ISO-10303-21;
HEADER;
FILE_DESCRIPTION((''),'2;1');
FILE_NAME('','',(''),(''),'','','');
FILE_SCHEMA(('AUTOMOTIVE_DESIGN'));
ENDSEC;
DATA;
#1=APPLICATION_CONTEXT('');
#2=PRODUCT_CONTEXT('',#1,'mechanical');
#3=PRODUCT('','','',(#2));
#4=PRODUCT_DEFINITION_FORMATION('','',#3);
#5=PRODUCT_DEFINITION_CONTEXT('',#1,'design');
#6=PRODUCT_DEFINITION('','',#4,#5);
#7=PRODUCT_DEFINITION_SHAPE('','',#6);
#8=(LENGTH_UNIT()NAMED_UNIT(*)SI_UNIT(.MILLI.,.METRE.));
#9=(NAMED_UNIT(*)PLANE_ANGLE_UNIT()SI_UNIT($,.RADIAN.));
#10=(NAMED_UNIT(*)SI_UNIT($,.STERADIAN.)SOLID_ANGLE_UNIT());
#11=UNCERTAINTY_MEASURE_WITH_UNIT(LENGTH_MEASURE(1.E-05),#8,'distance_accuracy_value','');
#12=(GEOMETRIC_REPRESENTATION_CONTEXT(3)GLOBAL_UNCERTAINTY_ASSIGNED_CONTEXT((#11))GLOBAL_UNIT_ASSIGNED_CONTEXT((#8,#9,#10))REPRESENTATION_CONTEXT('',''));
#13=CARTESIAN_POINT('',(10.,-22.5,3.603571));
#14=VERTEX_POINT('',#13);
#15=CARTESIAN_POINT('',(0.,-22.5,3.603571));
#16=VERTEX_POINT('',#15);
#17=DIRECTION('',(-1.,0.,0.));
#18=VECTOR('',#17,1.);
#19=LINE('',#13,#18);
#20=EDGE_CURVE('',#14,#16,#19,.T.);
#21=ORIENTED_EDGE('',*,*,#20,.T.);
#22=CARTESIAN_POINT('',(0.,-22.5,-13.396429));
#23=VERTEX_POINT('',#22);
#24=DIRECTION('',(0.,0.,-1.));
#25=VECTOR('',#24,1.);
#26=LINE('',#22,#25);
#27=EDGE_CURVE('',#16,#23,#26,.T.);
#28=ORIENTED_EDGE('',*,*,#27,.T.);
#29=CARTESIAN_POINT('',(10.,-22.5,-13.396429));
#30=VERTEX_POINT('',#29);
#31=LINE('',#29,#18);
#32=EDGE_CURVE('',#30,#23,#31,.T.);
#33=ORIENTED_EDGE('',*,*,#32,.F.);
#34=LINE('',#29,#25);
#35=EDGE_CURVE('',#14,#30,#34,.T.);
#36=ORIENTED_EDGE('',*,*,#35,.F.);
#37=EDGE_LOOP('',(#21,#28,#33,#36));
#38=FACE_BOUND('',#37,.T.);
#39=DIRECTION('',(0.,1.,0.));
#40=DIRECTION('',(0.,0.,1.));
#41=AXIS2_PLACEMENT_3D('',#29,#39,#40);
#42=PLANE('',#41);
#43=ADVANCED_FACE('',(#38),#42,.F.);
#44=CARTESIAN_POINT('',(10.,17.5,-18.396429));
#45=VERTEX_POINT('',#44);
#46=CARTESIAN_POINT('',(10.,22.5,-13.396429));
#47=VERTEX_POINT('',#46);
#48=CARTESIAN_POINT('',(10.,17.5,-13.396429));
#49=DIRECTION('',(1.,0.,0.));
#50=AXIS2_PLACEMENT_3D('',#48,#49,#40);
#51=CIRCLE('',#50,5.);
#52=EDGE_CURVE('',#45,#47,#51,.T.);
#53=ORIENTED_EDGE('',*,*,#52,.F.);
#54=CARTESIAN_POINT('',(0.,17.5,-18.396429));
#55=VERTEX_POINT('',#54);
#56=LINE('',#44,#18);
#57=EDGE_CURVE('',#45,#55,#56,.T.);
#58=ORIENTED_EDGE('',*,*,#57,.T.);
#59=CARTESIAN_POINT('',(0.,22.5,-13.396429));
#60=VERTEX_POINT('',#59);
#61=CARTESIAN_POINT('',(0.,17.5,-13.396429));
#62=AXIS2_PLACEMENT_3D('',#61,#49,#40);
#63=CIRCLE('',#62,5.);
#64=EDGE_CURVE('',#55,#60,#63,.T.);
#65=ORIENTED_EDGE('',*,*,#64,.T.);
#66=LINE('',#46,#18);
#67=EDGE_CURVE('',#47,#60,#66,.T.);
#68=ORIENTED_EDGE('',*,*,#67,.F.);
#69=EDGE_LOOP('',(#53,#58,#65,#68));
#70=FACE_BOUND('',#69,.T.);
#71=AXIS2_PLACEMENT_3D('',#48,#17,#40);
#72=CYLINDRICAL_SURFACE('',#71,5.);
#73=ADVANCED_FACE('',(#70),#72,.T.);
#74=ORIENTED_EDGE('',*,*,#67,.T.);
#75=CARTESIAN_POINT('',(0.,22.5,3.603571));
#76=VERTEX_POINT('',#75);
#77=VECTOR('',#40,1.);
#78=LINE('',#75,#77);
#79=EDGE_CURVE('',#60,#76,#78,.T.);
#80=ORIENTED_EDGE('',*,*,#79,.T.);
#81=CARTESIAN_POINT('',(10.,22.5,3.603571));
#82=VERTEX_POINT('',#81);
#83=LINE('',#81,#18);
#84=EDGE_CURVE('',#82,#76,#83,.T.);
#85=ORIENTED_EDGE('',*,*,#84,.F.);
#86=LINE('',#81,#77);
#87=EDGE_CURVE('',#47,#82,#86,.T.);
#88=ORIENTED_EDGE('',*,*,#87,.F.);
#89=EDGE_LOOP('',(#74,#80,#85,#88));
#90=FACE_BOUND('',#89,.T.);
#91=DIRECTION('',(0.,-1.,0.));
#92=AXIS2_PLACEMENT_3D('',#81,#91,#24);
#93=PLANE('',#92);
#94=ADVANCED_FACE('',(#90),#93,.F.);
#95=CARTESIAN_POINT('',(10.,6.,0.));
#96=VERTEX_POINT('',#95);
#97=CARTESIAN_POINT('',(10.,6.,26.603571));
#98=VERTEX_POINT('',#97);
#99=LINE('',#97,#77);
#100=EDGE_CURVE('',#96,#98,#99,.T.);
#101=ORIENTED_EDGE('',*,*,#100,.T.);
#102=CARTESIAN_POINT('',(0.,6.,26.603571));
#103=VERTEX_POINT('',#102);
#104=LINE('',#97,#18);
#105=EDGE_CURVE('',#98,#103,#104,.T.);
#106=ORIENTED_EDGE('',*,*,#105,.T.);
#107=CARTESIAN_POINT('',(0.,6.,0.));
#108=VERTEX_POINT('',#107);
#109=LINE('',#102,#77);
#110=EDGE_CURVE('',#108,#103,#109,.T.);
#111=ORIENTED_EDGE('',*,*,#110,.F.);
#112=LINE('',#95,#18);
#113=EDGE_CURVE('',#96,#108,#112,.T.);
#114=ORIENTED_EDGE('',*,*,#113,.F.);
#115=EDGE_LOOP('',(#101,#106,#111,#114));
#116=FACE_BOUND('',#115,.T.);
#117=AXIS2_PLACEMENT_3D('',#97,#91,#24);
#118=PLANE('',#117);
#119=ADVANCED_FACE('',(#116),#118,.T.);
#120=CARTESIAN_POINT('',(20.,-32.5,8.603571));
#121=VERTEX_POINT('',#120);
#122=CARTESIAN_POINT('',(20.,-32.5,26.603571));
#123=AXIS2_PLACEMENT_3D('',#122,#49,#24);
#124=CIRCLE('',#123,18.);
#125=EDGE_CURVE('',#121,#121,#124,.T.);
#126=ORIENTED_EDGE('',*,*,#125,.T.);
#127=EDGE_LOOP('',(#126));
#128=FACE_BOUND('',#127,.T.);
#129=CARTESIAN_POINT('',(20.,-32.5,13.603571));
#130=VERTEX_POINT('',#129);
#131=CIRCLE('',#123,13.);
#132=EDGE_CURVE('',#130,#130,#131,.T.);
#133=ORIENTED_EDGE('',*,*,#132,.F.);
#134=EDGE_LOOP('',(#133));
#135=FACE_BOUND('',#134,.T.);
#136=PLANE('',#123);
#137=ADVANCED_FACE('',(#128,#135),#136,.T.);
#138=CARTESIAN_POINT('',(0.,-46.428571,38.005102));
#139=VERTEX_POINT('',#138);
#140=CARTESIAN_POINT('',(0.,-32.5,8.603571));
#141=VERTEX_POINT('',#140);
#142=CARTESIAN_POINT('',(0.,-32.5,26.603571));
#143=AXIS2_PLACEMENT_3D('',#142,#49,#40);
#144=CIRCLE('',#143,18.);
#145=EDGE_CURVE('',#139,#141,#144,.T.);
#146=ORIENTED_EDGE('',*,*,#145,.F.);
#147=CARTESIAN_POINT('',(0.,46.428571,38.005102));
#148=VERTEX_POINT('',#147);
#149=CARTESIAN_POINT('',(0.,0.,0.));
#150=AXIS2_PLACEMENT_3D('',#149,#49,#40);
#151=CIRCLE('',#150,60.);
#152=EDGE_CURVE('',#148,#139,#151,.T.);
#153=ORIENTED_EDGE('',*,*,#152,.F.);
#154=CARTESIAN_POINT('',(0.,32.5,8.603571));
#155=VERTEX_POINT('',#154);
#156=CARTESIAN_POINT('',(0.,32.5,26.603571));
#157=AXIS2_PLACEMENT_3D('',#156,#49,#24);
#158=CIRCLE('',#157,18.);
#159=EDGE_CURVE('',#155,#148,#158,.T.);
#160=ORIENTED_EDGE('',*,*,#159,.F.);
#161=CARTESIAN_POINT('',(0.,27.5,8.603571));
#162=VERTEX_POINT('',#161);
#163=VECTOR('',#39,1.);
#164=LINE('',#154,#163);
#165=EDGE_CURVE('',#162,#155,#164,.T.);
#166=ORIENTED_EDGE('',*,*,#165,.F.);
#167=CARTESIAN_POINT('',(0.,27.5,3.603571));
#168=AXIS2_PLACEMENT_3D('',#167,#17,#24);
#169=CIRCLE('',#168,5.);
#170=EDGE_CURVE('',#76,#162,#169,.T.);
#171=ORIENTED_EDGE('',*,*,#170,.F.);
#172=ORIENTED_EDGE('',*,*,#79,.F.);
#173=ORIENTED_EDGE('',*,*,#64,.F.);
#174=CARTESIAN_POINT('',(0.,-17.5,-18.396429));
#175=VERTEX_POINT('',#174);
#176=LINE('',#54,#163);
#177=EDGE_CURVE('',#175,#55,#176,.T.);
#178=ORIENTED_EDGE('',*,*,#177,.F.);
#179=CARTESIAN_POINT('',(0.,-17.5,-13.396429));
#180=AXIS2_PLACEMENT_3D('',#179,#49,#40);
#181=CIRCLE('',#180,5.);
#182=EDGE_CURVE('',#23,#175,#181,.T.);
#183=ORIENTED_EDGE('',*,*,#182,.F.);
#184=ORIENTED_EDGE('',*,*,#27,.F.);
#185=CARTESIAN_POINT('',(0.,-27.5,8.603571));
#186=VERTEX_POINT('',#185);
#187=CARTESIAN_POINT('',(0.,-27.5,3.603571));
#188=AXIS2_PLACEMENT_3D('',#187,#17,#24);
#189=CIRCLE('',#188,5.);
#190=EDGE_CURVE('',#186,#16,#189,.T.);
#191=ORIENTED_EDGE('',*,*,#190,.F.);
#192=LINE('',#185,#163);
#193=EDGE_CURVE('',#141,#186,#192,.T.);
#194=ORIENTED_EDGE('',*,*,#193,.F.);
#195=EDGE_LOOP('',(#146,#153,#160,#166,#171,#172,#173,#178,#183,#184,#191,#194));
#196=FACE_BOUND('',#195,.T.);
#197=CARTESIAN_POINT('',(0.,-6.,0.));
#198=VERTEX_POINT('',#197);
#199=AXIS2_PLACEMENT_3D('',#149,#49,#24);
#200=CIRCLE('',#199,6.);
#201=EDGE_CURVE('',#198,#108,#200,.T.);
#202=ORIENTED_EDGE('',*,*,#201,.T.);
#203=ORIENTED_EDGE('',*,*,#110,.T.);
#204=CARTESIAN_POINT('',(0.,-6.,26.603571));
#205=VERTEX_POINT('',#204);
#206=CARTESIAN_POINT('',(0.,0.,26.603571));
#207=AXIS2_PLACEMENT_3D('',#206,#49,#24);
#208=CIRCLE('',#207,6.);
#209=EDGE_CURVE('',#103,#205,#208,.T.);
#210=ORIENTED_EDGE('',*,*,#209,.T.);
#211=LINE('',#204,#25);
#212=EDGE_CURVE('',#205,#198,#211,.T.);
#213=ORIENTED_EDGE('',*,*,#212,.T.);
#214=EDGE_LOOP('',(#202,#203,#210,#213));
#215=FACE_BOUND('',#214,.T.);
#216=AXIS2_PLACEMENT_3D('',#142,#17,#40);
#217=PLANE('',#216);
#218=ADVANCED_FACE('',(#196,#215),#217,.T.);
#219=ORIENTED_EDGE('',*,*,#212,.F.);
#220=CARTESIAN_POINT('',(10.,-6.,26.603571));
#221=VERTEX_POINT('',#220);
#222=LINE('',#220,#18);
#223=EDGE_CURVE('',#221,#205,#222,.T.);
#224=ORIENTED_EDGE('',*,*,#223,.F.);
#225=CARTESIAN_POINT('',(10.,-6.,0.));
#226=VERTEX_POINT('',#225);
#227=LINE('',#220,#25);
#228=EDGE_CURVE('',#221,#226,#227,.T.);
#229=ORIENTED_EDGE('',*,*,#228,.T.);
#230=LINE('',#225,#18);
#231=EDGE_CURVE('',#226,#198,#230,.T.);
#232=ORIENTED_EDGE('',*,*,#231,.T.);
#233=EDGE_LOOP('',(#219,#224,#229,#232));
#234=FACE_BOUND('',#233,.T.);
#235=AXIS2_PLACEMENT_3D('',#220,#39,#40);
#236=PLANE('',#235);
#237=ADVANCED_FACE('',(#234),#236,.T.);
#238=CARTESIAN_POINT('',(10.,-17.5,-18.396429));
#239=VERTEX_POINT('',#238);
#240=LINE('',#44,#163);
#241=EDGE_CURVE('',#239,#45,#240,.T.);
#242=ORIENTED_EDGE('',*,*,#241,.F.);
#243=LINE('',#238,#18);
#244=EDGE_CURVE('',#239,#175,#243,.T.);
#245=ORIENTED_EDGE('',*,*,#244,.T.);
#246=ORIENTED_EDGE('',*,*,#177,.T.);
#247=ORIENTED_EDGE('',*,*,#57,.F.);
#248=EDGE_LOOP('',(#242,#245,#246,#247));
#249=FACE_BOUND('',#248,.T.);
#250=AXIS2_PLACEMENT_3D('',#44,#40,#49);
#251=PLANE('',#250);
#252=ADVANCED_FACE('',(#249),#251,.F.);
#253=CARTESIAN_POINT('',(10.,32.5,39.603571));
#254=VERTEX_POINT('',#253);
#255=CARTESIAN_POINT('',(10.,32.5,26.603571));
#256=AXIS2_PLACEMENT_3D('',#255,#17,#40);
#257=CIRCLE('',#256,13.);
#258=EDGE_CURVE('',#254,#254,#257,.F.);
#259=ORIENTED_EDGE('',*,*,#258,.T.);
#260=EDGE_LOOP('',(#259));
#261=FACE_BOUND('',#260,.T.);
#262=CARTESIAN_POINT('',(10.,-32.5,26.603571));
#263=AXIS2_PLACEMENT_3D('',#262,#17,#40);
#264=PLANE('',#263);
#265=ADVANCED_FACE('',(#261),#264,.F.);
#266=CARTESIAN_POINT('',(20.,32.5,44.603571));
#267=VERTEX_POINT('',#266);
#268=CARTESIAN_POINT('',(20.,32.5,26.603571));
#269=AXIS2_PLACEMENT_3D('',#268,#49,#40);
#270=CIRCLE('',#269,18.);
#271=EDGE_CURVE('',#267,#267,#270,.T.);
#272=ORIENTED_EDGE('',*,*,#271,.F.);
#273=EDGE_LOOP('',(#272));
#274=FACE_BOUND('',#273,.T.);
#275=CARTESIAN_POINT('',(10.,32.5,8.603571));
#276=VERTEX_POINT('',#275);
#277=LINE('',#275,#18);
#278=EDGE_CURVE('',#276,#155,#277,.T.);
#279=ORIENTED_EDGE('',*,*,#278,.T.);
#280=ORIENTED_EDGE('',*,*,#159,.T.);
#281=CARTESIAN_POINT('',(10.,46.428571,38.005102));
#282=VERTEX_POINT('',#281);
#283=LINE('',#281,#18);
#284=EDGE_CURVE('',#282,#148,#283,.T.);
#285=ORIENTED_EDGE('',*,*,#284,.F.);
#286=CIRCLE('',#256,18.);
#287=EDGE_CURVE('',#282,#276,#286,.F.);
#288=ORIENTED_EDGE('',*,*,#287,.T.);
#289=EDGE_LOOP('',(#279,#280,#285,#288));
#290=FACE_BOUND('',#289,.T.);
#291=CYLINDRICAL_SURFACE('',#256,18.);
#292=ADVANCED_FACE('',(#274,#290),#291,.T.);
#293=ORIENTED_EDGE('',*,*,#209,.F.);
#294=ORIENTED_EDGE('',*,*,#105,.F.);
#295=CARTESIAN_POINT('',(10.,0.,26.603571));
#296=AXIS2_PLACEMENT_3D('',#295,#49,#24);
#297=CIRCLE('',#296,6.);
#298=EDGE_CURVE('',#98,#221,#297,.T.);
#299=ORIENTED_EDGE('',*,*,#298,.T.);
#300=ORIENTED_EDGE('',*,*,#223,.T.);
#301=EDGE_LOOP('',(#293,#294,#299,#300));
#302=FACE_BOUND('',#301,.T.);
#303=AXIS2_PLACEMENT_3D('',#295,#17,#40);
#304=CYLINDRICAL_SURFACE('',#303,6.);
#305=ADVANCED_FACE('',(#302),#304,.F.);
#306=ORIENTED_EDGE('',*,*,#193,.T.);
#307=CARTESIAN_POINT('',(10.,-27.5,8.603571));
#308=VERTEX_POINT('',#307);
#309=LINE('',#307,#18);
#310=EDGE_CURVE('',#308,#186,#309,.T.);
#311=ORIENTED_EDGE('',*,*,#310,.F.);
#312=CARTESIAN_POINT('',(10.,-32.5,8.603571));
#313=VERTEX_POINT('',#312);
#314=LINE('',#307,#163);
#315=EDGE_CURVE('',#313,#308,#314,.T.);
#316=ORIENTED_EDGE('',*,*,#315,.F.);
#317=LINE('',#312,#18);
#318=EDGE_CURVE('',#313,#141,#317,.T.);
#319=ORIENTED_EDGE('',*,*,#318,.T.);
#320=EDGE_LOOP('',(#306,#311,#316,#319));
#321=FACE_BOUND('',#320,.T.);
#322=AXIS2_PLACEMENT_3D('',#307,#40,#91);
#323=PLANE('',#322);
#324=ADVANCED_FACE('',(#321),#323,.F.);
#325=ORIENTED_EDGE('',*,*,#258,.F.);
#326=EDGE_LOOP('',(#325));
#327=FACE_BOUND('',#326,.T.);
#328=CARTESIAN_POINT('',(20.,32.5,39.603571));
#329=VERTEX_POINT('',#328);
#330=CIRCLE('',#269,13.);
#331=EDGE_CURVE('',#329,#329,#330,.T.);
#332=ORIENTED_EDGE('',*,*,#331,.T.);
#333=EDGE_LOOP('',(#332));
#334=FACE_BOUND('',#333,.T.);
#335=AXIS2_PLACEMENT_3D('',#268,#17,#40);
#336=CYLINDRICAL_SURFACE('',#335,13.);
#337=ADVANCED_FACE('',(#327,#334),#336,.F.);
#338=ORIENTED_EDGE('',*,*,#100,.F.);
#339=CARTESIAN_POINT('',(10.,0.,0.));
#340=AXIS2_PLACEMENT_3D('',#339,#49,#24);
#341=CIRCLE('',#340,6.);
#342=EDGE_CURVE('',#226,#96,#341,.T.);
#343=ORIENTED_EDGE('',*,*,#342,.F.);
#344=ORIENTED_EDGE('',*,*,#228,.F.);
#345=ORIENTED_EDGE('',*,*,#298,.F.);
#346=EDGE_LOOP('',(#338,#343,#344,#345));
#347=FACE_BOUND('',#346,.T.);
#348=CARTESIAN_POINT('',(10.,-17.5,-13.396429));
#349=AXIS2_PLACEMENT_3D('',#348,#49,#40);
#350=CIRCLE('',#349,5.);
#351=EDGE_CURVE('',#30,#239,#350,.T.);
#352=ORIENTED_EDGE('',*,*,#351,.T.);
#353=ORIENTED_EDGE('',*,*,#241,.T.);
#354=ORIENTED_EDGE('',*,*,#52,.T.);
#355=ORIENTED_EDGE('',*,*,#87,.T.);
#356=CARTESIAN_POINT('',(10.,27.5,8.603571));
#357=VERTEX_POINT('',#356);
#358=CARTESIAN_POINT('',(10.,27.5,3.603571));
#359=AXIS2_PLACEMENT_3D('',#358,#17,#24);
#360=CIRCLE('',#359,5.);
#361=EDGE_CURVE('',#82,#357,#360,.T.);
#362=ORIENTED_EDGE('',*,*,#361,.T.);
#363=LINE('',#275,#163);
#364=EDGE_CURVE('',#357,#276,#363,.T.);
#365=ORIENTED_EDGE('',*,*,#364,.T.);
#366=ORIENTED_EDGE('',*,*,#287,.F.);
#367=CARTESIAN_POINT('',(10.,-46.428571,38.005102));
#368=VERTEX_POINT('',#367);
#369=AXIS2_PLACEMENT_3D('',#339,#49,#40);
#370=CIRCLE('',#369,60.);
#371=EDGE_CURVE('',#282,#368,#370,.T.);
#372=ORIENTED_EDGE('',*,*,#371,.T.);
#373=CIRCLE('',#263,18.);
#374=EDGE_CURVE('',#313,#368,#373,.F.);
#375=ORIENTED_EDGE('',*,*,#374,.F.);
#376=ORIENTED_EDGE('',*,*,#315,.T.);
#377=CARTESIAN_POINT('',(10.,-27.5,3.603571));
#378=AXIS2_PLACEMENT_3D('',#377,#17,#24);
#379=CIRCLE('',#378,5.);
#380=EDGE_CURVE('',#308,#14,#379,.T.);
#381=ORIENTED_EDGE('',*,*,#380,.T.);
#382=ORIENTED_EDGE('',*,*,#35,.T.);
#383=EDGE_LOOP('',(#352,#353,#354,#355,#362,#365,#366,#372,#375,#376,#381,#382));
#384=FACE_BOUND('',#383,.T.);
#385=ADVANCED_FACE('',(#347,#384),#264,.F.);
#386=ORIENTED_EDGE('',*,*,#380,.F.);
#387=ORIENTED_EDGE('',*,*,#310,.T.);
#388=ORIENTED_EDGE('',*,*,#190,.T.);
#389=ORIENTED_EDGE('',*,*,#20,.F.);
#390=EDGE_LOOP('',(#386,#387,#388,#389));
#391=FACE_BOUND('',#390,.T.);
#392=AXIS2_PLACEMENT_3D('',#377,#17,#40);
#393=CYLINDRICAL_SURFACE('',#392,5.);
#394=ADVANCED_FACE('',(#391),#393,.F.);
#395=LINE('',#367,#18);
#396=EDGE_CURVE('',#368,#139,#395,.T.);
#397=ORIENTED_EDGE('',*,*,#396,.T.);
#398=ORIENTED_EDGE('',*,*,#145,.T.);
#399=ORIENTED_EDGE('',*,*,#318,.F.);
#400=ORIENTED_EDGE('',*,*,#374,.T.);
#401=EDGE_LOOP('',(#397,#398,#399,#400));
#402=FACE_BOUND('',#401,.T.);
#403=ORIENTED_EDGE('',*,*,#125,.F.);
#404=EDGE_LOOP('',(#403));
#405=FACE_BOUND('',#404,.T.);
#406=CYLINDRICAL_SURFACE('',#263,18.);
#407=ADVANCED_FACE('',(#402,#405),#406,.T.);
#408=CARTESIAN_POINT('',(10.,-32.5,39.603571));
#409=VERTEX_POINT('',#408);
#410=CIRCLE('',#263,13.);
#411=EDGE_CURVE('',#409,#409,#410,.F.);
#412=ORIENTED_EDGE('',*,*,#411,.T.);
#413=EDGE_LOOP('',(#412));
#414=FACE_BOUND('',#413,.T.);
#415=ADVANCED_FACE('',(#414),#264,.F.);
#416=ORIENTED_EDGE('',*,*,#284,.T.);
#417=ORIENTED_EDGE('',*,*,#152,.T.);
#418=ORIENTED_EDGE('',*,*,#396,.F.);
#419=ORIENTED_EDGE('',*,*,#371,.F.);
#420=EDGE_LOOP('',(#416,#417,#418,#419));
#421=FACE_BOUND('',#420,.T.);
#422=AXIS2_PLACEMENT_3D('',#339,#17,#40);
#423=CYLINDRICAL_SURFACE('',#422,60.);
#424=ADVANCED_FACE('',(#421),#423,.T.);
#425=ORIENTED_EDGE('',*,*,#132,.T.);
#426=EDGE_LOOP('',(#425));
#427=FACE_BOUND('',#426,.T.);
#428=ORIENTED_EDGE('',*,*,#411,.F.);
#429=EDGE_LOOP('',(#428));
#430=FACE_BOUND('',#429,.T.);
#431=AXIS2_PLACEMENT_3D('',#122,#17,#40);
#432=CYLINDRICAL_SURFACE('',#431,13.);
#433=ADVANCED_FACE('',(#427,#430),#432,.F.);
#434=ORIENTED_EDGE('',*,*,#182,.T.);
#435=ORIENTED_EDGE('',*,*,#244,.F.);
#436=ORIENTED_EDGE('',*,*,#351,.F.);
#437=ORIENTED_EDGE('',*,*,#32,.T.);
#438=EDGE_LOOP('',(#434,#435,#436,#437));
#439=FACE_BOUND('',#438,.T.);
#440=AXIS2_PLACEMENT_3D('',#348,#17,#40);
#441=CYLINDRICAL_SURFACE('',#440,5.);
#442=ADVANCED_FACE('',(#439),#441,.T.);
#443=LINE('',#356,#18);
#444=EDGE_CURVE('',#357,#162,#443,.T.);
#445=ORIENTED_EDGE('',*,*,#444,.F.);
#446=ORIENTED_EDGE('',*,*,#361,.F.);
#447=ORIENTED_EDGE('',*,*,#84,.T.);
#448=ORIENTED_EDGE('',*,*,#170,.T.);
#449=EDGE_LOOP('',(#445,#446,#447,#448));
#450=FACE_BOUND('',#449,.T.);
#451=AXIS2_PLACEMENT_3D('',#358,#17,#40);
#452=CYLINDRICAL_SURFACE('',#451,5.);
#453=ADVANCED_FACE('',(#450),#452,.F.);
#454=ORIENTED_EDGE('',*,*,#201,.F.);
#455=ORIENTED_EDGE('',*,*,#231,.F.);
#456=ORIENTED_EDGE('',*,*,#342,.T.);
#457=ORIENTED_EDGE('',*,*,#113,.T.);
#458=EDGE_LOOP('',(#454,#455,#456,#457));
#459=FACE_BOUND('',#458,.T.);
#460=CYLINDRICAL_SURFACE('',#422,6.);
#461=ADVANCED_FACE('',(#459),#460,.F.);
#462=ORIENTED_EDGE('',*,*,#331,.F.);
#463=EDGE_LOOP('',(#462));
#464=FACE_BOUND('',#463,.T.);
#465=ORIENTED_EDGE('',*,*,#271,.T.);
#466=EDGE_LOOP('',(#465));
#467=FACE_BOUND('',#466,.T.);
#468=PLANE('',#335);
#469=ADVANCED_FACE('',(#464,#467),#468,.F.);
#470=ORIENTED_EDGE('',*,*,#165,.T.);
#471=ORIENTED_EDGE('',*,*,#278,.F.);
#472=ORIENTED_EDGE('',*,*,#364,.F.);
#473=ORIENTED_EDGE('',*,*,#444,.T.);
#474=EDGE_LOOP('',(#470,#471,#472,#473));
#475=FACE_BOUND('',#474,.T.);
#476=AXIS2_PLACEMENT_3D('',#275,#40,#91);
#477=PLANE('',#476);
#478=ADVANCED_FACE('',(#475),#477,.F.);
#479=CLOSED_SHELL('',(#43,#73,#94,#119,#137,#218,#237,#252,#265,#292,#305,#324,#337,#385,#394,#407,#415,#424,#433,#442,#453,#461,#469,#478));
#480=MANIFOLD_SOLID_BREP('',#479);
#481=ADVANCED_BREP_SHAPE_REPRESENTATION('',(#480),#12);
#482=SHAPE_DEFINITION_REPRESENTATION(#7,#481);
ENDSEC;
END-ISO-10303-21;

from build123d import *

# Parameters (mm, degrees)
BOSS_EXTRUDE1_DEPTH = 10
SKETCH3_R           = 18
SKETCH3_R_2         = 13
BOSS_EXTRUDE2_DEPTH = 20


with BuildPart() as part:
    # Sketch2 → Boss-Extrude1 (new body)
    with BuildSketch(Plane.YZ):
        with BuildLine():
            Line((32.5, 8.603571189), (27.5, 8.603571189))
            ThreePointArc((27.5, 8.603571189), (23.964466094, 7.139105095), (22.5, 3.603571189))
            Line((22.5, 3.603571189), (22.5, -13.396428811))
            ThreePointArc((22.5, -13.396428811), (21.035533906, -16.931962717), (17.5, -18.396428811))
            Line((17.5, -18.396428811), (-17.5, -18.396428811))
            ThreePointArc((-17.5, -18.396428811), (-21.035533906, -16.931962717), (-22.5, -13.396428811))
            Line((-22.5, -13.396428811), (-22.5, 3.603571189))
            ThreePointArc((-22.5, 3.603571189), (-23.964466094, 7.139105095), (-27.5, 8.603571189))
            Line((-27.5, 8.603571189), (-32.5, 8.603571189))
            ThreePointArc((-32.5, 8.603571189), (-48.766953451, 18.897325318), (-46.428571429, 38.005101698))
            ThreePointArc((-46.428571429, 38.005101698), (0, 60), (46.428571429, 38.005101698))
            ThreePointArc((46.428571429, 38.005101698), (48.766953451, 18.897325318), (32.5, 8.603571189))
        make_face()
        with BuildLine():
            Line((6, 26.603571189), (6, 0))
            ThreePointArc((6, 0), (0, -6), (-6, 0))
            Line((-6, 0), (-6, 26.603571189))
            ThreePointArc((-6, 26.603571189), (0, 32.603571189), (6, 26.603571189))
        make_face(mode=Mode.SUBTRACT)
    extrude(amount=BOSS_EXTRUDE1_DEPTH)

    # Sketch3 → Boss-Extrude2 (add)
    # profile 1 of 2: a face of its own
    with BuildSketch(Plane.YZ):
        with Locations(Location((-32.5, 26.603571189, 0), (0, 0, 270))):
            Circle(SKETCH3_R)
        with Locations(Location((-32.5, 26.603571189, 0), (0, 0, 90))):
            Circle(SKETCH3_R_2, mode=Mode.SUBTRACT)
    # profile 2 of 2: a face of its own
    with BuildSketch(Plane.YZ):
        with Locations(Location((32.5, 26.603571189, 0), (0, 0, 90))):
            Circle(SKETCH3_R)
        with Locations(Location((32.5, 26.603571189, 0), (0, 0, 90))):
            Circle(SKETCH3_R_2, mode=Mode.SUBTRACT)
    extrude(amount=BOSS_EXTRUDE2_DEPTH)


solid = part.part
